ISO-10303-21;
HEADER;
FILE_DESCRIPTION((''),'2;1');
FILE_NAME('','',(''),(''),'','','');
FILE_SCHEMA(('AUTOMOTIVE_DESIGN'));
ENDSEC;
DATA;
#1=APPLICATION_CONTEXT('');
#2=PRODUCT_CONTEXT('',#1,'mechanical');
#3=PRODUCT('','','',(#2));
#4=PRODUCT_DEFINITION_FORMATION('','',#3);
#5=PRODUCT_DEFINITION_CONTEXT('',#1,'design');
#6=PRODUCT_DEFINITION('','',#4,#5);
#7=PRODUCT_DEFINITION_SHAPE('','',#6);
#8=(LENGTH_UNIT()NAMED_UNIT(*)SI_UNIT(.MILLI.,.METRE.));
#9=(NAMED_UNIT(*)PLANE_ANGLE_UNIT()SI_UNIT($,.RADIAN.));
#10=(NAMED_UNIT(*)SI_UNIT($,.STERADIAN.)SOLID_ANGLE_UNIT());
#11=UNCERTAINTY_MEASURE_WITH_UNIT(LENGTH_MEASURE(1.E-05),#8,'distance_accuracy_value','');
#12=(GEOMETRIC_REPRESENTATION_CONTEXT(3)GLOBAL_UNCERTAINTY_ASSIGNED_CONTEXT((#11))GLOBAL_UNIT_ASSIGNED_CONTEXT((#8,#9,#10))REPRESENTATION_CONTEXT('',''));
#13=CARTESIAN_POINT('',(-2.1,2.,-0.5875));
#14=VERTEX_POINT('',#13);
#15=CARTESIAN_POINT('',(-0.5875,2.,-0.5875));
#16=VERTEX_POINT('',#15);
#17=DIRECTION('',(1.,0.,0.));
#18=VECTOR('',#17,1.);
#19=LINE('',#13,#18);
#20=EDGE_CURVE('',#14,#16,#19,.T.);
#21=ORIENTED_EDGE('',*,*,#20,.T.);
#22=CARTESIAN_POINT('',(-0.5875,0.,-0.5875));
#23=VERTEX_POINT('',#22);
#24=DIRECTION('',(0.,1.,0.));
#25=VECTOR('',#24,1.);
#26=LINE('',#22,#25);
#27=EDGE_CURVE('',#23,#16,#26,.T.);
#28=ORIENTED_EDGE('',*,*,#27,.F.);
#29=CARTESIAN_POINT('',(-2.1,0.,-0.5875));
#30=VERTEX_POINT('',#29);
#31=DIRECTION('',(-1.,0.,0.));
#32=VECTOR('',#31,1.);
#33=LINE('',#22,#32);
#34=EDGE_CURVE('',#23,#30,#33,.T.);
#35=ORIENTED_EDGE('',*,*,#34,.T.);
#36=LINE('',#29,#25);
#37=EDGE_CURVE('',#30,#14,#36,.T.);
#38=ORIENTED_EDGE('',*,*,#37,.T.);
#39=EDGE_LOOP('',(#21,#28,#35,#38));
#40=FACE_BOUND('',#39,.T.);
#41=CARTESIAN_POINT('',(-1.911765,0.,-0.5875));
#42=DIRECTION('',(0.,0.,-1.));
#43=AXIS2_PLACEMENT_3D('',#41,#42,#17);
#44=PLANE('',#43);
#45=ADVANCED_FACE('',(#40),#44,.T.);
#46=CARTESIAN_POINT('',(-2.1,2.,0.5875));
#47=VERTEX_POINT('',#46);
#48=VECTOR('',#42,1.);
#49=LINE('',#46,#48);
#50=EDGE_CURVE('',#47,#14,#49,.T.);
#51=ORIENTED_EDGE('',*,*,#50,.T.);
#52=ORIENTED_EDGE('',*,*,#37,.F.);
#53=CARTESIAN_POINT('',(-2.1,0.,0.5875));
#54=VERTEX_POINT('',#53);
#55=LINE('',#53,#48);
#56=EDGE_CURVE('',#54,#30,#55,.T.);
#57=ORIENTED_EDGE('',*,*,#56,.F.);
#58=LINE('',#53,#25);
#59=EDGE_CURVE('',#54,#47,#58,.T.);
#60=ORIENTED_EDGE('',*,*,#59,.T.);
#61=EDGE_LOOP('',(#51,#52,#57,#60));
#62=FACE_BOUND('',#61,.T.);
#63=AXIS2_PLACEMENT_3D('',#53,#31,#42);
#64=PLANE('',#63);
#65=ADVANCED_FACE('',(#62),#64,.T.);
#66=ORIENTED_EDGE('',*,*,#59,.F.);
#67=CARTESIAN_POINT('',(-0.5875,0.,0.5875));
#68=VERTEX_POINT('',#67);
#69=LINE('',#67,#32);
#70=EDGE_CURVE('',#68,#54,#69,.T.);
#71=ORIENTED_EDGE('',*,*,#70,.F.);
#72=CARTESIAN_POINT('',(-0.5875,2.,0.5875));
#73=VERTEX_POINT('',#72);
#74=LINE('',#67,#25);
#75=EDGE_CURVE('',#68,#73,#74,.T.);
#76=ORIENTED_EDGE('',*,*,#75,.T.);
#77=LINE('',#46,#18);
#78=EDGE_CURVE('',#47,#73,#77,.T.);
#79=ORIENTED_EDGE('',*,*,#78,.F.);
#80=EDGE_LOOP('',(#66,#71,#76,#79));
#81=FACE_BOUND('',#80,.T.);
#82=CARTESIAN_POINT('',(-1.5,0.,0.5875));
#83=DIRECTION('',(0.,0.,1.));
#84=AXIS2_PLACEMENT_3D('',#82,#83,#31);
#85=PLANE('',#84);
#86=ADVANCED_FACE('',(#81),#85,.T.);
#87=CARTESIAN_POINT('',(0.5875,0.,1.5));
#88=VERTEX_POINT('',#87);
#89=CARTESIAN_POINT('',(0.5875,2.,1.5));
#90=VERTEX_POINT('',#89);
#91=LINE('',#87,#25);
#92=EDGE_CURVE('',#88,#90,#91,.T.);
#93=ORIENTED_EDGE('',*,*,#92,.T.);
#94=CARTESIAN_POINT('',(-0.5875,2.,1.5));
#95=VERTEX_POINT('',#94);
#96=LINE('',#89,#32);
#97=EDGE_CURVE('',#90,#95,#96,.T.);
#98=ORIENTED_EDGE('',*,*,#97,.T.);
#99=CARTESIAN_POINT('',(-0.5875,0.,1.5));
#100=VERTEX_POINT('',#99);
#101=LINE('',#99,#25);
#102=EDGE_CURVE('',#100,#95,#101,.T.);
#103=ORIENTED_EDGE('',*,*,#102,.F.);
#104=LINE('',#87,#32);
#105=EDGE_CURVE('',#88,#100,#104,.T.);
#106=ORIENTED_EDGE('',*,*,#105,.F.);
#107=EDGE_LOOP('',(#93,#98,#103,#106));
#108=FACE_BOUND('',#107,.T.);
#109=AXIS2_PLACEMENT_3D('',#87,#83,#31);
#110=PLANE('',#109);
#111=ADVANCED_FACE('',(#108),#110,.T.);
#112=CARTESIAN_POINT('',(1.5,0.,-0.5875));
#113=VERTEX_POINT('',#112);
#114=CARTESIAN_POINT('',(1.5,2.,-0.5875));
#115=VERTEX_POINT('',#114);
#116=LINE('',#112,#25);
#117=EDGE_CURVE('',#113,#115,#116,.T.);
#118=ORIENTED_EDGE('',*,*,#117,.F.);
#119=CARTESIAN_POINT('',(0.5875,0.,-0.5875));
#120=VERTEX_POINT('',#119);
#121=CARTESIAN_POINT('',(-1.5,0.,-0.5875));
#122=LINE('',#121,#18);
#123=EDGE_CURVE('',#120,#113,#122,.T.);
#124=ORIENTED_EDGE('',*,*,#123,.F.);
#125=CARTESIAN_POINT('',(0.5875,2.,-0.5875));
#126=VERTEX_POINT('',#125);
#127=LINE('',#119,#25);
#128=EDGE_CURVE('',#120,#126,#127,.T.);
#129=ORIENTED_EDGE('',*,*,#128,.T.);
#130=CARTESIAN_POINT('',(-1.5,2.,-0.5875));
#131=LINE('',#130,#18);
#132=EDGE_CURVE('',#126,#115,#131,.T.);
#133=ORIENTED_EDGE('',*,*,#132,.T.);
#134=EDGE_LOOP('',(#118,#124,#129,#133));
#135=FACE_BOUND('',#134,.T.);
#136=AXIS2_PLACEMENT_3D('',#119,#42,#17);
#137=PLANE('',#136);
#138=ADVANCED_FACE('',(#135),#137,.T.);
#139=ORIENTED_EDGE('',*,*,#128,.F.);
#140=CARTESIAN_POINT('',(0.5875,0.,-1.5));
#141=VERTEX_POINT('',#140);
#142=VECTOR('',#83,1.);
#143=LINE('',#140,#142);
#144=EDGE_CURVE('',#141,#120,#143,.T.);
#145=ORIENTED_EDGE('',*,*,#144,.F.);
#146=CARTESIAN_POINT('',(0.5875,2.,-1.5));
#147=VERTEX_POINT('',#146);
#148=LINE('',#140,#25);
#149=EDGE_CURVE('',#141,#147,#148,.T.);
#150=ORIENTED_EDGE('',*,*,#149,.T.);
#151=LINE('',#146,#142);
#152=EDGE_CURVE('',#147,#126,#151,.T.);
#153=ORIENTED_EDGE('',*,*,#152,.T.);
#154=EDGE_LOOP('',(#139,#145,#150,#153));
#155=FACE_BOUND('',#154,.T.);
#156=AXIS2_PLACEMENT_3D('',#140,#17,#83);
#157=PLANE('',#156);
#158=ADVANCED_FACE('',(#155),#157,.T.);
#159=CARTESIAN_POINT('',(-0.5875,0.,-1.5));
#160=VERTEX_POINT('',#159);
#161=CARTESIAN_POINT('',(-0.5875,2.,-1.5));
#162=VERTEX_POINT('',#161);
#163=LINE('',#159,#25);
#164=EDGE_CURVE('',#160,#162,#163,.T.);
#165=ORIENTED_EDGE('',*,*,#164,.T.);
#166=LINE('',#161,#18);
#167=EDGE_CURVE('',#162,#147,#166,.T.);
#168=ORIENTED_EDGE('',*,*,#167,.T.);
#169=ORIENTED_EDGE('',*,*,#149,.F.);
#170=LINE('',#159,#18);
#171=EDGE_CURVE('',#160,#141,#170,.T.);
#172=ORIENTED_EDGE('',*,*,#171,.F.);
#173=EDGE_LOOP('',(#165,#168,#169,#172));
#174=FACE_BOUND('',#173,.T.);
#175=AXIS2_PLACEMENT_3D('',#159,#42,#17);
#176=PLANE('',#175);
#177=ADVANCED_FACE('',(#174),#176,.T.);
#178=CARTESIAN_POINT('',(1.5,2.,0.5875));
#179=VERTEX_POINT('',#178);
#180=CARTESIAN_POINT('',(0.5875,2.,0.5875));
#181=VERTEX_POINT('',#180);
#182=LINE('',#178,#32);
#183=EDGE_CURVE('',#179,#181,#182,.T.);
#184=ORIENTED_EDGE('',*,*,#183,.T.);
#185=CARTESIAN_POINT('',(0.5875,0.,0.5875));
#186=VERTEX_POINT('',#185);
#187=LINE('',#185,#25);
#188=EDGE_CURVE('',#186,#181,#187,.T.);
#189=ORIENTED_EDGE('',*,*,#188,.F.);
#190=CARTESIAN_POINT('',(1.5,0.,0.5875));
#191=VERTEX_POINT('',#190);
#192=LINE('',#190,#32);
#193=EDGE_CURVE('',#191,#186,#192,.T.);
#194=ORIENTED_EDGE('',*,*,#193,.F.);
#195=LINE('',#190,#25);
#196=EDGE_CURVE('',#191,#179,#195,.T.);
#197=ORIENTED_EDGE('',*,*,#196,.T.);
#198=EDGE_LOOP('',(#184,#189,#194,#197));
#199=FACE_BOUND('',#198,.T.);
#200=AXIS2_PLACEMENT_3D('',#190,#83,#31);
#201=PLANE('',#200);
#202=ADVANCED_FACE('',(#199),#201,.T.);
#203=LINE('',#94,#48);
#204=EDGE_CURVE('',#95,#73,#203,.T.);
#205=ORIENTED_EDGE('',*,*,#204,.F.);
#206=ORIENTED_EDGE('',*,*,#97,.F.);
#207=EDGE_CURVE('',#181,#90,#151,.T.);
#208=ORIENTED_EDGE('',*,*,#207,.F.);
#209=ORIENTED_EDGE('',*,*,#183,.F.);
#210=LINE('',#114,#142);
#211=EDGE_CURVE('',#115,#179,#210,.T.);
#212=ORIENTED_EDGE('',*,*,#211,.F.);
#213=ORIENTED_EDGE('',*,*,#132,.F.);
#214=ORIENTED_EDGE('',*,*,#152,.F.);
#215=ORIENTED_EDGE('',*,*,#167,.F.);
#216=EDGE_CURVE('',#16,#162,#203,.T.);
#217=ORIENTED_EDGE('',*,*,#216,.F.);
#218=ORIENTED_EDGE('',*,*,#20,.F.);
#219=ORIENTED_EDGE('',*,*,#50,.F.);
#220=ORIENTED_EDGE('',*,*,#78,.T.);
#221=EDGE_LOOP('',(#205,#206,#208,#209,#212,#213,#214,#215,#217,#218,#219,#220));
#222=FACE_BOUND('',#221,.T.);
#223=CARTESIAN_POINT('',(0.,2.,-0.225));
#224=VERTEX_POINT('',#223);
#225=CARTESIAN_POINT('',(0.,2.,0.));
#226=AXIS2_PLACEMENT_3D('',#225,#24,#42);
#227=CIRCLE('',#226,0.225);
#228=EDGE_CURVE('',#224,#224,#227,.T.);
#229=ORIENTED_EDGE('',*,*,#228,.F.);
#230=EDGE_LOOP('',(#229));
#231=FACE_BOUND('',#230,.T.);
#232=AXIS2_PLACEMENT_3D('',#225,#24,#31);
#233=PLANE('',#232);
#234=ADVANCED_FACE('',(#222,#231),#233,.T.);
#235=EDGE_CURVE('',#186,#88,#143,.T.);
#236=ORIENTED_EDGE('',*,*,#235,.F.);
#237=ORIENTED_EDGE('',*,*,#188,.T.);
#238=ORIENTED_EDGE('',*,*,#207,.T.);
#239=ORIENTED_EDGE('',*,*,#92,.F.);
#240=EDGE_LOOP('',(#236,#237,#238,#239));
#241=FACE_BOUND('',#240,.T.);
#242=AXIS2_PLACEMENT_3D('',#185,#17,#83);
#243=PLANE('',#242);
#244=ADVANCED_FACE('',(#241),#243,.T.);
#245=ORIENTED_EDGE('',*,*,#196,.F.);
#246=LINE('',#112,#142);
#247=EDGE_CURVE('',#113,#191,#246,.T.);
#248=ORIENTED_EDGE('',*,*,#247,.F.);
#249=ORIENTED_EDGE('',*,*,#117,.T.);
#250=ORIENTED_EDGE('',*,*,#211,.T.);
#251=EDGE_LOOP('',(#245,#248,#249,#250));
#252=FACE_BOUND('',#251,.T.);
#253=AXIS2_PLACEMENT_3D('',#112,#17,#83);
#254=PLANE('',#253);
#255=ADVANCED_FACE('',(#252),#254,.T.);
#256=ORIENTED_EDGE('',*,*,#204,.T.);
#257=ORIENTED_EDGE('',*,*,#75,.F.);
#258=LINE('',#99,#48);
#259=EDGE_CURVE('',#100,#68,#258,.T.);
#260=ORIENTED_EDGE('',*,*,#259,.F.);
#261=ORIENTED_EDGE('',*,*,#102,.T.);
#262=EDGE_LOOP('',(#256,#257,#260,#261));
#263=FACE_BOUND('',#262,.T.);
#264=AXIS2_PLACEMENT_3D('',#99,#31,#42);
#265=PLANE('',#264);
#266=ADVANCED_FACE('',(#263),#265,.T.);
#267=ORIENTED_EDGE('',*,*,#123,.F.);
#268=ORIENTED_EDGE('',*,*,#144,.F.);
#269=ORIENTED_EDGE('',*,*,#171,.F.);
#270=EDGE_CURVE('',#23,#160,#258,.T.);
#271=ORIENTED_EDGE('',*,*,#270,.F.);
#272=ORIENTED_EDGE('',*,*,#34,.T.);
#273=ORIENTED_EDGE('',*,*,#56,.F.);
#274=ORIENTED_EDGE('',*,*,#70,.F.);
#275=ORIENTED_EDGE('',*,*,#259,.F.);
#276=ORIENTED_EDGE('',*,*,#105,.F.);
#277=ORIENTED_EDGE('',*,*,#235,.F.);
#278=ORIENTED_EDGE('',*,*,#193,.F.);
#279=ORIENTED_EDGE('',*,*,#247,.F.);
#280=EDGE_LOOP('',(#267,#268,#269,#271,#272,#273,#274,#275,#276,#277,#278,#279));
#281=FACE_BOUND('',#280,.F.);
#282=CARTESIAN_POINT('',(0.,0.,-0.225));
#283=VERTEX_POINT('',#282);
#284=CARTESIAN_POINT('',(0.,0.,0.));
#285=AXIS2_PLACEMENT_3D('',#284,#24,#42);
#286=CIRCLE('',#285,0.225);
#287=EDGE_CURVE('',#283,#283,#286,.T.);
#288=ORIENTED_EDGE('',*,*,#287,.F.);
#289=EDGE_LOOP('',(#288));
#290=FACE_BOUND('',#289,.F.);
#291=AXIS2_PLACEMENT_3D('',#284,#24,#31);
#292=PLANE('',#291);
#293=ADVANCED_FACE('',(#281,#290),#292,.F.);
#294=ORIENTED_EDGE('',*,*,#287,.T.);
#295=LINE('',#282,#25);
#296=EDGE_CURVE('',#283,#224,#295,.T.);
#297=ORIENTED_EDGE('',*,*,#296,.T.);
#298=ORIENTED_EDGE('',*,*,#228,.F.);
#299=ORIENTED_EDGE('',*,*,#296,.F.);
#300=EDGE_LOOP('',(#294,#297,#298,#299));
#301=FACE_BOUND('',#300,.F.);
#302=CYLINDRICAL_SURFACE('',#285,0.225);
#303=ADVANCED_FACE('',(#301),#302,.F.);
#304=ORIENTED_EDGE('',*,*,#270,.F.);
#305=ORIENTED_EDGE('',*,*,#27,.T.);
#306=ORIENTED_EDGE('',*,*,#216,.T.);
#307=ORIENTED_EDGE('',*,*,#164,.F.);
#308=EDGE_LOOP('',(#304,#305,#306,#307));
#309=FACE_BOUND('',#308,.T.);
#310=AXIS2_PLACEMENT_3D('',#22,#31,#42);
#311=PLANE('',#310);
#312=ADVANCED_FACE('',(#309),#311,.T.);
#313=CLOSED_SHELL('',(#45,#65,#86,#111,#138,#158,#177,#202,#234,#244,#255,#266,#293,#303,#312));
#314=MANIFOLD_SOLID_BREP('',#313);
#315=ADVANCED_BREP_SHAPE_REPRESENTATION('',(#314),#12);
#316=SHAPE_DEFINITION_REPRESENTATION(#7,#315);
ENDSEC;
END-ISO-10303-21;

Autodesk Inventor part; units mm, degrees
ref_plane "YZ Plane" through (0, 0, 0) normal (1, 0, 0) x (0, 1, 0)
ref_plane "XZ Plane" through (0, 0, 0) normal (0, 1, 0) x (-1, 0, 0)
ref_plane "XY Plane" through (0, 0, 0) normal (0, 0, 1) x (1, 0, 0)
sketch "base+body" plane through (0, 0, 0) normal (0, 1, 0) x (-1, 0, 0)
  circle A0 centre (0, 0) radius 2
  line L0 (-0.5875, 1.5) -> (0.5875, 1.5)
  line L1 (0.5875, 1.5) -> (0.5875, -1.5)
  line L2 (0.5875, -1.5) -> (-0.5875, -1.5)
  line L3 (-0.5875, -1.5) -> (-0.5875, 1.5)
  line L4 (-0.5875, 1.5) -> (0.5875, -1.5) construction
  line L5 (0.5875, 1.5) -> (-0.5875, -1.5) construction
  line L6 (-1.5, 0.5875) -> (1.5, 0.5875)
  line L7 (1.5, 0.5875) -> (1.5, -0.5875)
  line L8 (1.5, -0.5875) -> (-1.5, -0.5875)
  line L9 (-1.5, -0.5875) -> (-1.5, 0.5875)
  line L10 (-1.5, 0.5875) -> (1.5, -0.5875) construction
  line L11 (1.5, 0.5875) -> (-1.5, -0.5875) construction
  line L12 (0, 0.5875) -> (2.1, 0.5875)
  line L13 (2.1, 0.5875) -> (2.1, -0.5875)
  line L14 (2.1, -0.5875) -> (0, -0.5875)
  line L15 (0, -0.5875) -> (0, 0.5875)
  dimension "d0" = 4
  dimension "d1" = 3
  dimension "d2" = 1.175
  dimension "d3" = 1.175
  dimension "d4" = 3
  dimension "d5" = 1.175
  dimension "d6" = 2.1
extrude "Extrusion6" add sketch "base+body" along normal blind 2 contours A0 L14 L7 L12 | A0 L12 L13 L14 | L7 L8 L1 L6 | L6 L3 L0 L1 | L1 L8 L15 L6 | L1 L2 L3 L8 | L15 L8 L3 L6 | L3 L8 L9 L6
hole "Hole4" at (0, 0, 0) direction (0, 1, 0) diameter 0.45 end through all
equation "\"d3\" = d2"
equation "\"d4\" = d1"
equation "\"d5\" = d2"
properties part number "shuttle"
